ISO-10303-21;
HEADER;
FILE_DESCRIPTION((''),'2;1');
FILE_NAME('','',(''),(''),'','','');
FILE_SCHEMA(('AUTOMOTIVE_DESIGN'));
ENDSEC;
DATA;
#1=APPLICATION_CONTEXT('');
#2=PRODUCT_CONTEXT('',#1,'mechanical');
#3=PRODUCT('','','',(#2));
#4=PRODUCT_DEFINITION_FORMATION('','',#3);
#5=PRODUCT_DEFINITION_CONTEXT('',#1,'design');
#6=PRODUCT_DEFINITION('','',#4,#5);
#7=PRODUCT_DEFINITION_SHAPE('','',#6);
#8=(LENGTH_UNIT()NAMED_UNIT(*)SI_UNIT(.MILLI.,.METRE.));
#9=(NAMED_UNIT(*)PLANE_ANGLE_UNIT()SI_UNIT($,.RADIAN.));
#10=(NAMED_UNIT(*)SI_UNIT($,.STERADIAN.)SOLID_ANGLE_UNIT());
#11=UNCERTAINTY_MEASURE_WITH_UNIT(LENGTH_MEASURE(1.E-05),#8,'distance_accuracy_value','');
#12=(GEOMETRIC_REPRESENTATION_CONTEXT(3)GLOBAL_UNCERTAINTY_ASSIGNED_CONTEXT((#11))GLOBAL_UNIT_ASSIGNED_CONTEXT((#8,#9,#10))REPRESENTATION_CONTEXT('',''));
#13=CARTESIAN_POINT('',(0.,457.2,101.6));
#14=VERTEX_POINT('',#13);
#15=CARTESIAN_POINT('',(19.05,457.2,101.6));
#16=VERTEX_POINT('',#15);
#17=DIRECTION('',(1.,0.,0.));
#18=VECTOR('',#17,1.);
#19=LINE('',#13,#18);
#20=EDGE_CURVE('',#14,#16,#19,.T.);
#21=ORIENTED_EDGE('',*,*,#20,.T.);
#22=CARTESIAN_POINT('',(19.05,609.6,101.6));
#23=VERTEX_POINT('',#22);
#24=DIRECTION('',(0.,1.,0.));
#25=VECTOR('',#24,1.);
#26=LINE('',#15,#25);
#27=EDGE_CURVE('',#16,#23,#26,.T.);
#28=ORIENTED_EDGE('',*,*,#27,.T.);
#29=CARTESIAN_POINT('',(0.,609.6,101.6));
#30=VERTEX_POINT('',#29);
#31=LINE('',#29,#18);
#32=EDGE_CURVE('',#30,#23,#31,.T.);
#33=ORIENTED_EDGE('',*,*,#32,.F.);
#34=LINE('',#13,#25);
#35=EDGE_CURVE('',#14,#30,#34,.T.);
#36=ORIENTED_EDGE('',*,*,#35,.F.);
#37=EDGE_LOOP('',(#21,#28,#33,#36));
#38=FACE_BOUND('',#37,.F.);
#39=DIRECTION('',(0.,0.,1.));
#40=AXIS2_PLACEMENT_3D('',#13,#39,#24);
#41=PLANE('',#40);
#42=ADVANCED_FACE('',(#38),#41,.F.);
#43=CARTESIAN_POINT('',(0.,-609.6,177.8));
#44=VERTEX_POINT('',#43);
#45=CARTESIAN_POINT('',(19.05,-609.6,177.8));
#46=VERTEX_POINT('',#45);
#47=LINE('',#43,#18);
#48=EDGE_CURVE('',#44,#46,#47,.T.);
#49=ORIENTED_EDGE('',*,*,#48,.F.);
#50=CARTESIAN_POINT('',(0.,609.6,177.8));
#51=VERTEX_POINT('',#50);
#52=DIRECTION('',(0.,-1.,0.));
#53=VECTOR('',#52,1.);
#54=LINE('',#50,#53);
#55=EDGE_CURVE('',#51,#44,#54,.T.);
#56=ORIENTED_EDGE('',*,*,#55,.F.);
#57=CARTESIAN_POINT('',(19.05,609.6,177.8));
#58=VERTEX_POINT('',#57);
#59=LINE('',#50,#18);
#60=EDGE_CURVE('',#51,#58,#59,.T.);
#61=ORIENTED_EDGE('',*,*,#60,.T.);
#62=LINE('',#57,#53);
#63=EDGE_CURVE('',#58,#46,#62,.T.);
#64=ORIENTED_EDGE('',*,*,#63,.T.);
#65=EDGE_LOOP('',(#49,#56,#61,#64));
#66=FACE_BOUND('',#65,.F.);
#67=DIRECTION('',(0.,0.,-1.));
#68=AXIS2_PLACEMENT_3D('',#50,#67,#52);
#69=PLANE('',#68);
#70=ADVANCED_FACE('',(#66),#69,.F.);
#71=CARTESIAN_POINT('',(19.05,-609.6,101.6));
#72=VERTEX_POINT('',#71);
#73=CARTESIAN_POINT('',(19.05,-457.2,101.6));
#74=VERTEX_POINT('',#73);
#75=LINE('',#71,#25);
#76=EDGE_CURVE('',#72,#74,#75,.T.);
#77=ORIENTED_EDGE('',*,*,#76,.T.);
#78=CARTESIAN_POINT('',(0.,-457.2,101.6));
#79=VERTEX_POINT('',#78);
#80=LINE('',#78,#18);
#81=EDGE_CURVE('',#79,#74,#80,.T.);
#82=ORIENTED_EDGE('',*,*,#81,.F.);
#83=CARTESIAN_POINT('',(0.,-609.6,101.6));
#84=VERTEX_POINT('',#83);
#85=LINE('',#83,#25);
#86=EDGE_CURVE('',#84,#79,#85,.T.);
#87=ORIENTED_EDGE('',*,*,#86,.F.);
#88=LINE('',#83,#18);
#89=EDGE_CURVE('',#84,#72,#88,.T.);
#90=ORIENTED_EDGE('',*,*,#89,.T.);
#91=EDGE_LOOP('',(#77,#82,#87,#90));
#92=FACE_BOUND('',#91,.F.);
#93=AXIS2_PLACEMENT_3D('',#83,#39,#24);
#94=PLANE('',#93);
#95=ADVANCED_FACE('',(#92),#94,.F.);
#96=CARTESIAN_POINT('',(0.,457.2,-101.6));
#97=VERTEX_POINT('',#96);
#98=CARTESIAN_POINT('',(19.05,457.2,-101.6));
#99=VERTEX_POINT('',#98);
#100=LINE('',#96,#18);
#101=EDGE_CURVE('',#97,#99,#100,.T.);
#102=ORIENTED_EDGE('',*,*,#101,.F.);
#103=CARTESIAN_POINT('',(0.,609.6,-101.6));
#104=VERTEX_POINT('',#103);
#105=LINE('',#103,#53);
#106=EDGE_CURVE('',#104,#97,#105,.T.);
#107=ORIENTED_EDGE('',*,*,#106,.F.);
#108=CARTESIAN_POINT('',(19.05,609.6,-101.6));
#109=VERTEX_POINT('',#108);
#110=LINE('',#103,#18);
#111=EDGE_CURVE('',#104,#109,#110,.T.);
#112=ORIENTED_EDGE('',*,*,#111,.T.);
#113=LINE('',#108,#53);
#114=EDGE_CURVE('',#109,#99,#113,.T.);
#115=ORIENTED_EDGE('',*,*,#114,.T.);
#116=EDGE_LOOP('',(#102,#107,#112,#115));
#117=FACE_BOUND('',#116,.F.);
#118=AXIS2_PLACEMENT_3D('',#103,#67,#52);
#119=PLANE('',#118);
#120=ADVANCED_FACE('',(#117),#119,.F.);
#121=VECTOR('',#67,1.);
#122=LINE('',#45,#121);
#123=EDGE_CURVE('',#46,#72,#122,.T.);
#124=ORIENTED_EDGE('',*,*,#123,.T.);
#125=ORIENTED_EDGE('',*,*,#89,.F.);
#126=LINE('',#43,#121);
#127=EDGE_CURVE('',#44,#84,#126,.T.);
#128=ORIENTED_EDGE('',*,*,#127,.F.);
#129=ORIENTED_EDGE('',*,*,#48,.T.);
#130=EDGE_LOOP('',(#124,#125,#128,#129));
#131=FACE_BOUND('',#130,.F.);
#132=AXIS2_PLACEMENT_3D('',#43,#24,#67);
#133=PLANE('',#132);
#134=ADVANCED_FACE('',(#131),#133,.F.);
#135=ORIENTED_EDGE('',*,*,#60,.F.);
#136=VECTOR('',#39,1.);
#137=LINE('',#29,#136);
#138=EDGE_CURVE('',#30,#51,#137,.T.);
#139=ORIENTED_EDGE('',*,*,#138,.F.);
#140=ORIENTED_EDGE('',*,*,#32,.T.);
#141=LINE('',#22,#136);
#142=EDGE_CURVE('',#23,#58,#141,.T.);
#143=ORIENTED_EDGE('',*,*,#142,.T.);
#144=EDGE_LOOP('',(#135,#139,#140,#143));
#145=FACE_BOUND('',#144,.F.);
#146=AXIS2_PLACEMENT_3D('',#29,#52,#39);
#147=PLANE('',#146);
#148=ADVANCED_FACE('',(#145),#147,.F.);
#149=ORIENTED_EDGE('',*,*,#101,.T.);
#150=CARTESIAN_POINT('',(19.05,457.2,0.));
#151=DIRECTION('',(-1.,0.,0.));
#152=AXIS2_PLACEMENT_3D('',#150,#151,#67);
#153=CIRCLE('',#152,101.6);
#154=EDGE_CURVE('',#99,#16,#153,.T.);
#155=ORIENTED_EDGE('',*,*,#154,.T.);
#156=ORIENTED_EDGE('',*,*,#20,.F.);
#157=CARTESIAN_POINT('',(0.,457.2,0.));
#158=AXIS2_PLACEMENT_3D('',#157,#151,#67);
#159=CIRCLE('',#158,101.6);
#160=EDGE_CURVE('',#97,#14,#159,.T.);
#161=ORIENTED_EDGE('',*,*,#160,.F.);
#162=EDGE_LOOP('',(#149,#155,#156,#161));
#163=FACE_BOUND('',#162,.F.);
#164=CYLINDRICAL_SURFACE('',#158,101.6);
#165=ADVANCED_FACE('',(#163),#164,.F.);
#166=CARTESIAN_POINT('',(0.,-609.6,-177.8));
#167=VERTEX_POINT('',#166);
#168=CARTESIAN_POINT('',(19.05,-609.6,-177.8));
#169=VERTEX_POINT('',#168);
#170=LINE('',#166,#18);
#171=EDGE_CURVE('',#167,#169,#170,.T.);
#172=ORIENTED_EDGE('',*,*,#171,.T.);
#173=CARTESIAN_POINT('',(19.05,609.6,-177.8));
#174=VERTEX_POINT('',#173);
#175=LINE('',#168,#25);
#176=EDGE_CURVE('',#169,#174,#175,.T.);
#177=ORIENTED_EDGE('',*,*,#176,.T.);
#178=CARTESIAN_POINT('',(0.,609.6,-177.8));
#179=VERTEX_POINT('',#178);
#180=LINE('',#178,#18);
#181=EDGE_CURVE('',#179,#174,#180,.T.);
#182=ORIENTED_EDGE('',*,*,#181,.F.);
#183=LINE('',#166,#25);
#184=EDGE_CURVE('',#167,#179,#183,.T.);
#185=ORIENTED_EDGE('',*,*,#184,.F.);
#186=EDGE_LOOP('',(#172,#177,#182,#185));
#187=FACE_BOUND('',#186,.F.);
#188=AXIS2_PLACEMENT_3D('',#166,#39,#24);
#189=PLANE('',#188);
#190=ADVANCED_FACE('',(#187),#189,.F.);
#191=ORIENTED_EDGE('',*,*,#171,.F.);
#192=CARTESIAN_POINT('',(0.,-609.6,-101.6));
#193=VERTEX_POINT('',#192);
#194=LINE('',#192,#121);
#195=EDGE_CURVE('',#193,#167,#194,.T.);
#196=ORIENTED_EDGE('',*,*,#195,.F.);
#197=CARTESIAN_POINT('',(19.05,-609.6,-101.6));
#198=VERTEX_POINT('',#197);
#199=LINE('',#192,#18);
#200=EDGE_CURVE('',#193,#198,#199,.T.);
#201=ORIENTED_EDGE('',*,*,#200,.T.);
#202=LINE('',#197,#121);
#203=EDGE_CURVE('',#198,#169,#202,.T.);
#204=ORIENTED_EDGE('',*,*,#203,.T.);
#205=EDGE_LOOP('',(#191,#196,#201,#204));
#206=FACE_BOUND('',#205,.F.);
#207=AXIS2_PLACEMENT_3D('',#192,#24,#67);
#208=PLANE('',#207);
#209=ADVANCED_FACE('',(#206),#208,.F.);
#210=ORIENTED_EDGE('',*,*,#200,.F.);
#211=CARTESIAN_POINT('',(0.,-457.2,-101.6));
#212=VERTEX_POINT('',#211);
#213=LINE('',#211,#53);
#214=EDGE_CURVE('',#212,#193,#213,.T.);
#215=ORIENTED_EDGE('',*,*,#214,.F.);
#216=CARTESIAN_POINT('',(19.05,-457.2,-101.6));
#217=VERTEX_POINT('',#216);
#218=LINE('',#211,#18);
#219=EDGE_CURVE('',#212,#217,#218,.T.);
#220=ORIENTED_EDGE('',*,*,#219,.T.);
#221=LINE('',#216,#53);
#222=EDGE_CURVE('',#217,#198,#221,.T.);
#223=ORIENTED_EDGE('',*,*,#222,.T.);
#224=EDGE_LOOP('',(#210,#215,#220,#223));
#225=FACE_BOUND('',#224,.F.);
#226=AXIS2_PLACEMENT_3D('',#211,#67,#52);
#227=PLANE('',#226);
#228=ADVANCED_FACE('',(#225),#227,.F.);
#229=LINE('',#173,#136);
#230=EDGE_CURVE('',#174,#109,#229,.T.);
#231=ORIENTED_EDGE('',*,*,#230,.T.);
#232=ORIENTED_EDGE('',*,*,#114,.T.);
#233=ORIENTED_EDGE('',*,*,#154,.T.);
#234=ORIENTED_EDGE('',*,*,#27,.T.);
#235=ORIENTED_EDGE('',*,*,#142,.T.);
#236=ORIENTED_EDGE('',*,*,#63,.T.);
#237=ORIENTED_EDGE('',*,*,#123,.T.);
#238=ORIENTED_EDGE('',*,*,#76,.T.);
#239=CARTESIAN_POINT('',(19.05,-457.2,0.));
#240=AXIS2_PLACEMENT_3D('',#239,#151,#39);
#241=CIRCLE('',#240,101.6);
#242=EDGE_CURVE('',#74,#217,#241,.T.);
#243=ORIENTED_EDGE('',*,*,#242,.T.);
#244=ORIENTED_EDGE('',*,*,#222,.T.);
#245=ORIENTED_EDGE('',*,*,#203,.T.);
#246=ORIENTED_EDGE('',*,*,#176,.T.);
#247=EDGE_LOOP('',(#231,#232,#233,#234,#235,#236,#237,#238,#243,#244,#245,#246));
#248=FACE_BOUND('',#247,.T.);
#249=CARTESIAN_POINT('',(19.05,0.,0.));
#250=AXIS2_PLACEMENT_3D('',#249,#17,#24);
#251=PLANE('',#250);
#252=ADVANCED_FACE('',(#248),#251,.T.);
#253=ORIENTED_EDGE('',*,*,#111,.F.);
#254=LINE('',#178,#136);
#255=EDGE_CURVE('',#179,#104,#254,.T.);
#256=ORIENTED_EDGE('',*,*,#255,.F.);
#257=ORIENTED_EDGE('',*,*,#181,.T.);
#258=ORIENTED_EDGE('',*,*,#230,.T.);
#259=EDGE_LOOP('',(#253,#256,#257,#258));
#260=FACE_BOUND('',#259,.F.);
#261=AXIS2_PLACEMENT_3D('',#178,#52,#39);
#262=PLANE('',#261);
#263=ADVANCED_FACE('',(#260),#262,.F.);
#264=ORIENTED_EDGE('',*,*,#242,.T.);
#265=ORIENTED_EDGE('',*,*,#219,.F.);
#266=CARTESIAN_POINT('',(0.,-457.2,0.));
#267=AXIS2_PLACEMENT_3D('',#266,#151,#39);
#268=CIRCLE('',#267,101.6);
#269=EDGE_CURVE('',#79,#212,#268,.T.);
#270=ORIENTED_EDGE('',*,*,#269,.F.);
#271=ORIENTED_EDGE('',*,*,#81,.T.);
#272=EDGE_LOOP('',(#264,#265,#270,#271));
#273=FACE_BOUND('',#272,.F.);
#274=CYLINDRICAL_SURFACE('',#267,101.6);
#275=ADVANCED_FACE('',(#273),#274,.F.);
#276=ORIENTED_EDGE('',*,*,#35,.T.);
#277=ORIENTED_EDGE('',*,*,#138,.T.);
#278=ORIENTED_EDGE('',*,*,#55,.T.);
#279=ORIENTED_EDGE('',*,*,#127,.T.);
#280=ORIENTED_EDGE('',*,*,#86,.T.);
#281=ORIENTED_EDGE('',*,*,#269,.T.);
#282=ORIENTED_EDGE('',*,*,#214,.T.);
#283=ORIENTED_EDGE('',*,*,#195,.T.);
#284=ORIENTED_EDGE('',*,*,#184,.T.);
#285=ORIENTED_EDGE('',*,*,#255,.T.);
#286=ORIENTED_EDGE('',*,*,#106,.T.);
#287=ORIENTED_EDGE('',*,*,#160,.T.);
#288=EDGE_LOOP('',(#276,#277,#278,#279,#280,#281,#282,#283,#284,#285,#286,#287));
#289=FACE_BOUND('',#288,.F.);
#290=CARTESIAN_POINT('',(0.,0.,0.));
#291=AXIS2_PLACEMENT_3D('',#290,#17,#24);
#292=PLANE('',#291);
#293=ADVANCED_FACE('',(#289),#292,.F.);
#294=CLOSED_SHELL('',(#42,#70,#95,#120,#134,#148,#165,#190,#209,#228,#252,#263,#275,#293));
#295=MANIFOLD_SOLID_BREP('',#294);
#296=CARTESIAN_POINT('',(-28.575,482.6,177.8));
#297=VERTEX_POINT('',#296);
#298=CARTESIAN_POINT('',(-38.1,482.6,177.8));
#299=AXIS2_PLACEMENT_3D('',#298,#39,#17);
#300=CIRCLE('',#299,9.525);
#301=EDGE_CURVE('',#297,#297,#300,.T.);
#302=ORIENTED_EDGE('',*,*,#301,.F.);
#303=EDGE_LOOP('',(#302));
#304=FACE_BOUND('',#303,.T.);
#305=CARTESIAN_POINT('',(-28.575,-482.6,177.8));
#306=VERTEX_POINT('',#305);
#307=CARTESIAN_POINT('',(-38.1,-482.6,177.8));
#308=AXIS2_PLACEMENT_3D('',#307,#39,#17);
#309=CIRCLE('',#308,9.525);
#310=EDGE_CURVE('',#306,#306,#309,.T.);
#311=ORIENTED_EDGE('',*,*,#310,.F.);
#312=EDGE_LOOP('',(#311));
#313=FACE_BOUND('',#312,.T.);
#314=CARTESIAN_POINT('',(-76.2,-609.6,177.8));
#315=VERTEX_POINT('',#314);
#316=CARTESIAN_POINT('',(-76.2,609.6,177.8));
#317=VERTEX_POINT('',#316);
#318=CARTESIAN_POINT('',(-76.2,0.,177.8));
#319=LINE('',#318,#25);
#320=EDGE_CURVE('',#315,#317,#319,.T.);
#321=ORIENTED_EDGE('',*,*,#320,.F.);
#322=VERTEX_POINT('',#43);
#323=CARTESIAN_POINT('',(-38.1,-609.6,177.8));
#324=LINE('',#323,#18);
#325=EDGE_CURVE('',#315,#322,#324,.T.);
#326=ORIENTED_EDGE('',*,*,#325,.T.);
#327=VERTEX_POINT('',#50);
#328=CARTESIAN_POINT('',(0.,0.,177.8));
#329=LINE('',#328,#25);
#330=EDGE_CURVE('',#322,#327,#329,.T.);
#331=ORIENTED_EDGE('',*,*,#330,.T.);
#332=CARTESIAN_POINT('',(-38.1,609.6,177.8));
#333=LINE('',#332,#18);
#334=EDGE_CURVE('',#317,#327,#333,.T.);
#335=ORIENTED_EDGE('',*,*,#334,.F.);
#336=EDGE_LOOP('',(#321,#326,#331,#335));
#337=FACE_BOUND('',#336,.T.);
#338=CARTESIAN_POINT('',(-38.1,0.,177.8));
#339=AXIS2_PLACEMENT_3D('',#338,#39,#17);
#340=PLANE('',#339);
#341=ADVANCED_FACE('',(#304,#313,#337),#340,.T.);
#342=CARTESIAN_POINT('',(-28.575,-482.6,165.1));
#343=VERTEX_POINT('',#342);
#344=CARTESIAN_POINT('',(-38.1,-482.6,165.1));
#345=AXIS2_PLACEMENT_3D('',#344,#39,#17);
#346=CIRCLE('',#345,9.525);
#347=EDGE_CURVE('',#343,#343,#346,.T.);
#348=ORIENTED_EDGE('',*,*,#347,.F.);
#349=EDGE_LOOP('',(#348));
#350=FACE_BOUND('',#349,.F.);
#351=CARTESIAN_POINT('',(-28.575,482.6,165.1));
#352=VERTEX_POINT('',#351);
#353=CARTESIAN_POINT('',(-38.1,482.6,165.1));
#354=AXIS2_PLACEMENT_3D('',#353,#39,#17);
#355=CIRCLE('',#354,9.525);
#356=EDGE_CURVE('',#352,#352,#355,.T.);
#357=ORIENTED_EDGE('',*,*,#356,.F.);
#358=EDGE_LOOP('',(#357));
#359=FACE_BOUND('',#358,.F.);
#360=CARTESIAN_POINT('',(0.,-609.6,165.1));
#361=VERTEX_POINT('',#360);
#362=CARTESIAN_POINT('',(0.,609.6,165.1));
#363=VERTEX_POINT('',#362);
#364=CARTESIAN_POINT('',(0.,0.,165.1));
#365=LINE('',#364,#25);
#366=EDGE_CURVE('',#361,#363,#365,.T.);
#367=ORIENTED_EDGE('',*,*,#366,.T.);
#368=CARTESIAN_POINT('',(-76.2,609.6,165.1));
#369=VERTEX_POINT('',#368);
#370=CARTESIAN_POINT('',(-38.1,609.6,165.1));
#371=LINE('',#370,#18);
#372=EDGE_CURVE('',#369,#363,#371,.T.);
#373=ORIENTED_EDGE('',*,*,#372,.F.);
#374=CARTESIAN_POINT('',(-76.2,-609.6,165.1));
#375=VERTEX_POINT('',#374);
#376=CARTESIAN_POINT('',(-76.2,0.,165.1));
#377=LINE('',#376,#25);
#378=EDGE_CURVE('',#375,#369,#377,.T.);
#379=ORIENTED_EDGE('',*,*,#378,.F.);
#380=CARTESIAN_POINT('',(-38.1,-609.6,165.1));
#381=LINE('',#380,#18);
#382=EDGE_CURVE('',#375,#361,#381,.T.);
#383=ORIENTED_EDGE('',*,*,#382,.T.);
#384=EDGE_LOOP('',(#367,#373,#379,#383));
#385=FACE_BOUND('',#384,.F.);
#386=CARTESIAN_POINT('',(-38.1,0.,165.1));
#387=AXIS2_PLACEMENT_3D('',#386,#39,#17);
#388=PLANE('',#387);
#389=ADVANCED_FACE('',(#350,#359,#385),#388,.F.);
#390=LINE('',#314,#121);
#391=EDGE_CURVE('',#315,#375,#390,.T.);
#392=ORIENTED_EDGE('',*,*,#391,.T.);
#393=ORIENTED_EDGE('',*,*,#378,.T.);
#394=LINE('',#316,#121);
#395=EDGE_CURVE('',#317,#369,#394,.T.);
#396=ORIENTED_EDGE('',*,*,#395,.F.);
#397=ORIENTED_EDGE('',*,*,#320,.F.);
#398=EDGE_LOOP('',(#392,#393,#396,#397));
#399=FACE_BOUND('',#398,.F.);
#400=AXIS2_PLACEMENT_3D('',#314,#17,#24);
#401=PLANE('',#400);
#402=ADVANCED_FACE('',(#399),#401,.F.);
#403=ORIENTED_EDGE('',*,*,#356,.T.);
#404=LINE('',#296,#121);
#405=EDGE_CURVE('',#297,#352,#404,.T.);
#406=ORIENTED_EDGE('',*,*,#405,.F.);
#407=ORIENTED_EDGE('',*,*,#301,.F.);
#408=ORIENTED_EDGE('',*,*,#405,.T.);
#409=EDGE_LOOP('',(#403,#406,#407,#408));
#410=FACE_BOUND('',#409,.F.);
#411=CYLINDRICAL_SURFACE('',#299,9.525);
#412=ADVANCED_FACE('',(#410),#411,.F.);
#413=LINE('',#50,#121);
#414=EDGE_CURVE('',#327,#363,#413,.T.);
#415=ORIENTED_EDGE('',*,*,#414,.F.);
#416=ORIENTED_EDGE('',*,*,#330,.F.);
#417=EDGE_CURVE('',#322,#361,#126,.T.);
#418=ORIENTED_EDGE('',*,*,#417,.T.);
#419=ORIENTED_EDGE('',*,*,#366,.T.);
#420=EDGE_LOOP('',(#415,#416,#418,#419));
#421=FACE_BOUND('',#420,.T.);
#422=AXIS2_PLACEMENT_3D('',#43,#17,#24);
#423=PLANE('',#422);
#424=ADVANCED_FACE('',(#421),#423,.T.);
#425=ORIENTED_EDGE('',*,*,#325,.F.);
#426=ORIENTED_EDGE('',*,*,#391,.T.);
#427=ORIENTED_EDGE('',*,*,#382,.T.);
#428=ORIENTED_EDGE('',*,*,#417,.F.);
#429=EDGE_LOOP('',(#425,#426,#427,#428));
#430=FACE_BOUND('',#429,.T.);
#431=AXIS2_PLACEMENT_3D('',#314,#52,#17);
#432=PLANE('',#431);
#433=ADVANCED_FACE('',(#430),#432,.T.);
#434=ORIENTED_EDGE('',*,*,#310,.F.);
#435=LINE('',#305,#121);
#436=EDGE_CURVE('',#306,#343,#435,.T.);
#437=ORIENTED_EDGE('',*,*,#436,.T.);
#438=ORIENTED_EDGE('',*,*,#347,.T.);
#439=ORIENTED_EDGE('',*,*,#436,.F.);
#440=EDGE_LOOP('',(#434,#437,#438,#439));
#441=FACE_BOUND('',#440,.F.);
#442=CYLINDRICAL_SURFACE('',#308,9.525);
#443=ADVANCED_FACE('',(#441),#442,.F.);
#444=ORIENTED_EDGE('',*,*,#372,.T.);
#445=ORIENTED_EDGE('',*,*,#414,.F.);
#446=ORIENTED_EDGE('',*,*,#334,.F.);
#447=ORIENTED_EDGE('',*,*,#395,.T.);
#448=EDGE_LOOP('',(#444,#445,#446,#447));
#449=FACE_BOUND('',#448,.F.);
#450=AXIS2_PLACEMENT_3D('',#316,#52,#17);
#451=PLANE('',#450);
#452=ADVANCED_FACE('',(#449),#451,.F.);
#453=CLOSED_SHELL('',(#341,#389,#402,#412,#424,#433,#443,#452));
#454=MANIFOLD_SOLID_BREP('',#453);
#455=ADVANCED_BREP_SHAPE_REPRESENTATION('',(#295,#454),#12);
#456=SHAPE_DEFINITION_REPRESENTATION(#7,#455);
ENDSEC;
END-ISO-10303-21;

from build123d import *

# Parameters (mm, degrees)
F1_DEPTH = 19.05
F2_W     = 76.2
F2_H     = 1219.2
F2_R     = 9.525
F3_DEPTH = 12.7


with BuildPart() as f1:
    # F0 (on Right) → F1 (new body)
    with BuildSketch(Plane.YZ):
        with BuildLine():
            Line((609.6, 177.8), (-609.6, 177.8))
            Line((-609.6, 177.8), (-609.6, 101.6))
            Line((-609.6, 101.6), (-457.2, 101.6))
            ThreePointArc((-457.2, 101.6), (-355.6, 0), (-457.2, -101.6))
            Line((-457.2, -101.6), (-609.6, -101.6))
            Line((-609.6, -101.6), (-609.6, -177.8))
            Line((-609.6, -177.8), (609.6, -177.8))
            Line((609.6, -177.8), (609.6, -101.6))
            Line((609.6, -101.6), (457.2, -101.6))
            ThreePointArc((457.2, -101.6), (355.6, 0), (457.2, 101.6))
            Line((457.2, 101.6), (609.6, 101.6))
            Line((609.6, 101.6), (609.6, 177.8))
        make_face()
    extrude(amount=F1_DEPTH)


with BuildPart() as f3:
    # F2 (on face) → F3 (new body)
    with BuildSketch(Plane.XY.offset(177.8)):
        with Locations((-38.1, 0)):
            Rectangle(F2_W, F2_H)
        with Locations((-38.1, -482.6)):
            Circle(F2_R, mode=Mode.SUBTRACT)
        with Locations((-38.1, 482.6)):
            Circle(F2_R, mode=Mode.SUBTRACT)
    extrude(amount=-F3_DEPTH)


solid = Compound([f1.part, f3.part])
